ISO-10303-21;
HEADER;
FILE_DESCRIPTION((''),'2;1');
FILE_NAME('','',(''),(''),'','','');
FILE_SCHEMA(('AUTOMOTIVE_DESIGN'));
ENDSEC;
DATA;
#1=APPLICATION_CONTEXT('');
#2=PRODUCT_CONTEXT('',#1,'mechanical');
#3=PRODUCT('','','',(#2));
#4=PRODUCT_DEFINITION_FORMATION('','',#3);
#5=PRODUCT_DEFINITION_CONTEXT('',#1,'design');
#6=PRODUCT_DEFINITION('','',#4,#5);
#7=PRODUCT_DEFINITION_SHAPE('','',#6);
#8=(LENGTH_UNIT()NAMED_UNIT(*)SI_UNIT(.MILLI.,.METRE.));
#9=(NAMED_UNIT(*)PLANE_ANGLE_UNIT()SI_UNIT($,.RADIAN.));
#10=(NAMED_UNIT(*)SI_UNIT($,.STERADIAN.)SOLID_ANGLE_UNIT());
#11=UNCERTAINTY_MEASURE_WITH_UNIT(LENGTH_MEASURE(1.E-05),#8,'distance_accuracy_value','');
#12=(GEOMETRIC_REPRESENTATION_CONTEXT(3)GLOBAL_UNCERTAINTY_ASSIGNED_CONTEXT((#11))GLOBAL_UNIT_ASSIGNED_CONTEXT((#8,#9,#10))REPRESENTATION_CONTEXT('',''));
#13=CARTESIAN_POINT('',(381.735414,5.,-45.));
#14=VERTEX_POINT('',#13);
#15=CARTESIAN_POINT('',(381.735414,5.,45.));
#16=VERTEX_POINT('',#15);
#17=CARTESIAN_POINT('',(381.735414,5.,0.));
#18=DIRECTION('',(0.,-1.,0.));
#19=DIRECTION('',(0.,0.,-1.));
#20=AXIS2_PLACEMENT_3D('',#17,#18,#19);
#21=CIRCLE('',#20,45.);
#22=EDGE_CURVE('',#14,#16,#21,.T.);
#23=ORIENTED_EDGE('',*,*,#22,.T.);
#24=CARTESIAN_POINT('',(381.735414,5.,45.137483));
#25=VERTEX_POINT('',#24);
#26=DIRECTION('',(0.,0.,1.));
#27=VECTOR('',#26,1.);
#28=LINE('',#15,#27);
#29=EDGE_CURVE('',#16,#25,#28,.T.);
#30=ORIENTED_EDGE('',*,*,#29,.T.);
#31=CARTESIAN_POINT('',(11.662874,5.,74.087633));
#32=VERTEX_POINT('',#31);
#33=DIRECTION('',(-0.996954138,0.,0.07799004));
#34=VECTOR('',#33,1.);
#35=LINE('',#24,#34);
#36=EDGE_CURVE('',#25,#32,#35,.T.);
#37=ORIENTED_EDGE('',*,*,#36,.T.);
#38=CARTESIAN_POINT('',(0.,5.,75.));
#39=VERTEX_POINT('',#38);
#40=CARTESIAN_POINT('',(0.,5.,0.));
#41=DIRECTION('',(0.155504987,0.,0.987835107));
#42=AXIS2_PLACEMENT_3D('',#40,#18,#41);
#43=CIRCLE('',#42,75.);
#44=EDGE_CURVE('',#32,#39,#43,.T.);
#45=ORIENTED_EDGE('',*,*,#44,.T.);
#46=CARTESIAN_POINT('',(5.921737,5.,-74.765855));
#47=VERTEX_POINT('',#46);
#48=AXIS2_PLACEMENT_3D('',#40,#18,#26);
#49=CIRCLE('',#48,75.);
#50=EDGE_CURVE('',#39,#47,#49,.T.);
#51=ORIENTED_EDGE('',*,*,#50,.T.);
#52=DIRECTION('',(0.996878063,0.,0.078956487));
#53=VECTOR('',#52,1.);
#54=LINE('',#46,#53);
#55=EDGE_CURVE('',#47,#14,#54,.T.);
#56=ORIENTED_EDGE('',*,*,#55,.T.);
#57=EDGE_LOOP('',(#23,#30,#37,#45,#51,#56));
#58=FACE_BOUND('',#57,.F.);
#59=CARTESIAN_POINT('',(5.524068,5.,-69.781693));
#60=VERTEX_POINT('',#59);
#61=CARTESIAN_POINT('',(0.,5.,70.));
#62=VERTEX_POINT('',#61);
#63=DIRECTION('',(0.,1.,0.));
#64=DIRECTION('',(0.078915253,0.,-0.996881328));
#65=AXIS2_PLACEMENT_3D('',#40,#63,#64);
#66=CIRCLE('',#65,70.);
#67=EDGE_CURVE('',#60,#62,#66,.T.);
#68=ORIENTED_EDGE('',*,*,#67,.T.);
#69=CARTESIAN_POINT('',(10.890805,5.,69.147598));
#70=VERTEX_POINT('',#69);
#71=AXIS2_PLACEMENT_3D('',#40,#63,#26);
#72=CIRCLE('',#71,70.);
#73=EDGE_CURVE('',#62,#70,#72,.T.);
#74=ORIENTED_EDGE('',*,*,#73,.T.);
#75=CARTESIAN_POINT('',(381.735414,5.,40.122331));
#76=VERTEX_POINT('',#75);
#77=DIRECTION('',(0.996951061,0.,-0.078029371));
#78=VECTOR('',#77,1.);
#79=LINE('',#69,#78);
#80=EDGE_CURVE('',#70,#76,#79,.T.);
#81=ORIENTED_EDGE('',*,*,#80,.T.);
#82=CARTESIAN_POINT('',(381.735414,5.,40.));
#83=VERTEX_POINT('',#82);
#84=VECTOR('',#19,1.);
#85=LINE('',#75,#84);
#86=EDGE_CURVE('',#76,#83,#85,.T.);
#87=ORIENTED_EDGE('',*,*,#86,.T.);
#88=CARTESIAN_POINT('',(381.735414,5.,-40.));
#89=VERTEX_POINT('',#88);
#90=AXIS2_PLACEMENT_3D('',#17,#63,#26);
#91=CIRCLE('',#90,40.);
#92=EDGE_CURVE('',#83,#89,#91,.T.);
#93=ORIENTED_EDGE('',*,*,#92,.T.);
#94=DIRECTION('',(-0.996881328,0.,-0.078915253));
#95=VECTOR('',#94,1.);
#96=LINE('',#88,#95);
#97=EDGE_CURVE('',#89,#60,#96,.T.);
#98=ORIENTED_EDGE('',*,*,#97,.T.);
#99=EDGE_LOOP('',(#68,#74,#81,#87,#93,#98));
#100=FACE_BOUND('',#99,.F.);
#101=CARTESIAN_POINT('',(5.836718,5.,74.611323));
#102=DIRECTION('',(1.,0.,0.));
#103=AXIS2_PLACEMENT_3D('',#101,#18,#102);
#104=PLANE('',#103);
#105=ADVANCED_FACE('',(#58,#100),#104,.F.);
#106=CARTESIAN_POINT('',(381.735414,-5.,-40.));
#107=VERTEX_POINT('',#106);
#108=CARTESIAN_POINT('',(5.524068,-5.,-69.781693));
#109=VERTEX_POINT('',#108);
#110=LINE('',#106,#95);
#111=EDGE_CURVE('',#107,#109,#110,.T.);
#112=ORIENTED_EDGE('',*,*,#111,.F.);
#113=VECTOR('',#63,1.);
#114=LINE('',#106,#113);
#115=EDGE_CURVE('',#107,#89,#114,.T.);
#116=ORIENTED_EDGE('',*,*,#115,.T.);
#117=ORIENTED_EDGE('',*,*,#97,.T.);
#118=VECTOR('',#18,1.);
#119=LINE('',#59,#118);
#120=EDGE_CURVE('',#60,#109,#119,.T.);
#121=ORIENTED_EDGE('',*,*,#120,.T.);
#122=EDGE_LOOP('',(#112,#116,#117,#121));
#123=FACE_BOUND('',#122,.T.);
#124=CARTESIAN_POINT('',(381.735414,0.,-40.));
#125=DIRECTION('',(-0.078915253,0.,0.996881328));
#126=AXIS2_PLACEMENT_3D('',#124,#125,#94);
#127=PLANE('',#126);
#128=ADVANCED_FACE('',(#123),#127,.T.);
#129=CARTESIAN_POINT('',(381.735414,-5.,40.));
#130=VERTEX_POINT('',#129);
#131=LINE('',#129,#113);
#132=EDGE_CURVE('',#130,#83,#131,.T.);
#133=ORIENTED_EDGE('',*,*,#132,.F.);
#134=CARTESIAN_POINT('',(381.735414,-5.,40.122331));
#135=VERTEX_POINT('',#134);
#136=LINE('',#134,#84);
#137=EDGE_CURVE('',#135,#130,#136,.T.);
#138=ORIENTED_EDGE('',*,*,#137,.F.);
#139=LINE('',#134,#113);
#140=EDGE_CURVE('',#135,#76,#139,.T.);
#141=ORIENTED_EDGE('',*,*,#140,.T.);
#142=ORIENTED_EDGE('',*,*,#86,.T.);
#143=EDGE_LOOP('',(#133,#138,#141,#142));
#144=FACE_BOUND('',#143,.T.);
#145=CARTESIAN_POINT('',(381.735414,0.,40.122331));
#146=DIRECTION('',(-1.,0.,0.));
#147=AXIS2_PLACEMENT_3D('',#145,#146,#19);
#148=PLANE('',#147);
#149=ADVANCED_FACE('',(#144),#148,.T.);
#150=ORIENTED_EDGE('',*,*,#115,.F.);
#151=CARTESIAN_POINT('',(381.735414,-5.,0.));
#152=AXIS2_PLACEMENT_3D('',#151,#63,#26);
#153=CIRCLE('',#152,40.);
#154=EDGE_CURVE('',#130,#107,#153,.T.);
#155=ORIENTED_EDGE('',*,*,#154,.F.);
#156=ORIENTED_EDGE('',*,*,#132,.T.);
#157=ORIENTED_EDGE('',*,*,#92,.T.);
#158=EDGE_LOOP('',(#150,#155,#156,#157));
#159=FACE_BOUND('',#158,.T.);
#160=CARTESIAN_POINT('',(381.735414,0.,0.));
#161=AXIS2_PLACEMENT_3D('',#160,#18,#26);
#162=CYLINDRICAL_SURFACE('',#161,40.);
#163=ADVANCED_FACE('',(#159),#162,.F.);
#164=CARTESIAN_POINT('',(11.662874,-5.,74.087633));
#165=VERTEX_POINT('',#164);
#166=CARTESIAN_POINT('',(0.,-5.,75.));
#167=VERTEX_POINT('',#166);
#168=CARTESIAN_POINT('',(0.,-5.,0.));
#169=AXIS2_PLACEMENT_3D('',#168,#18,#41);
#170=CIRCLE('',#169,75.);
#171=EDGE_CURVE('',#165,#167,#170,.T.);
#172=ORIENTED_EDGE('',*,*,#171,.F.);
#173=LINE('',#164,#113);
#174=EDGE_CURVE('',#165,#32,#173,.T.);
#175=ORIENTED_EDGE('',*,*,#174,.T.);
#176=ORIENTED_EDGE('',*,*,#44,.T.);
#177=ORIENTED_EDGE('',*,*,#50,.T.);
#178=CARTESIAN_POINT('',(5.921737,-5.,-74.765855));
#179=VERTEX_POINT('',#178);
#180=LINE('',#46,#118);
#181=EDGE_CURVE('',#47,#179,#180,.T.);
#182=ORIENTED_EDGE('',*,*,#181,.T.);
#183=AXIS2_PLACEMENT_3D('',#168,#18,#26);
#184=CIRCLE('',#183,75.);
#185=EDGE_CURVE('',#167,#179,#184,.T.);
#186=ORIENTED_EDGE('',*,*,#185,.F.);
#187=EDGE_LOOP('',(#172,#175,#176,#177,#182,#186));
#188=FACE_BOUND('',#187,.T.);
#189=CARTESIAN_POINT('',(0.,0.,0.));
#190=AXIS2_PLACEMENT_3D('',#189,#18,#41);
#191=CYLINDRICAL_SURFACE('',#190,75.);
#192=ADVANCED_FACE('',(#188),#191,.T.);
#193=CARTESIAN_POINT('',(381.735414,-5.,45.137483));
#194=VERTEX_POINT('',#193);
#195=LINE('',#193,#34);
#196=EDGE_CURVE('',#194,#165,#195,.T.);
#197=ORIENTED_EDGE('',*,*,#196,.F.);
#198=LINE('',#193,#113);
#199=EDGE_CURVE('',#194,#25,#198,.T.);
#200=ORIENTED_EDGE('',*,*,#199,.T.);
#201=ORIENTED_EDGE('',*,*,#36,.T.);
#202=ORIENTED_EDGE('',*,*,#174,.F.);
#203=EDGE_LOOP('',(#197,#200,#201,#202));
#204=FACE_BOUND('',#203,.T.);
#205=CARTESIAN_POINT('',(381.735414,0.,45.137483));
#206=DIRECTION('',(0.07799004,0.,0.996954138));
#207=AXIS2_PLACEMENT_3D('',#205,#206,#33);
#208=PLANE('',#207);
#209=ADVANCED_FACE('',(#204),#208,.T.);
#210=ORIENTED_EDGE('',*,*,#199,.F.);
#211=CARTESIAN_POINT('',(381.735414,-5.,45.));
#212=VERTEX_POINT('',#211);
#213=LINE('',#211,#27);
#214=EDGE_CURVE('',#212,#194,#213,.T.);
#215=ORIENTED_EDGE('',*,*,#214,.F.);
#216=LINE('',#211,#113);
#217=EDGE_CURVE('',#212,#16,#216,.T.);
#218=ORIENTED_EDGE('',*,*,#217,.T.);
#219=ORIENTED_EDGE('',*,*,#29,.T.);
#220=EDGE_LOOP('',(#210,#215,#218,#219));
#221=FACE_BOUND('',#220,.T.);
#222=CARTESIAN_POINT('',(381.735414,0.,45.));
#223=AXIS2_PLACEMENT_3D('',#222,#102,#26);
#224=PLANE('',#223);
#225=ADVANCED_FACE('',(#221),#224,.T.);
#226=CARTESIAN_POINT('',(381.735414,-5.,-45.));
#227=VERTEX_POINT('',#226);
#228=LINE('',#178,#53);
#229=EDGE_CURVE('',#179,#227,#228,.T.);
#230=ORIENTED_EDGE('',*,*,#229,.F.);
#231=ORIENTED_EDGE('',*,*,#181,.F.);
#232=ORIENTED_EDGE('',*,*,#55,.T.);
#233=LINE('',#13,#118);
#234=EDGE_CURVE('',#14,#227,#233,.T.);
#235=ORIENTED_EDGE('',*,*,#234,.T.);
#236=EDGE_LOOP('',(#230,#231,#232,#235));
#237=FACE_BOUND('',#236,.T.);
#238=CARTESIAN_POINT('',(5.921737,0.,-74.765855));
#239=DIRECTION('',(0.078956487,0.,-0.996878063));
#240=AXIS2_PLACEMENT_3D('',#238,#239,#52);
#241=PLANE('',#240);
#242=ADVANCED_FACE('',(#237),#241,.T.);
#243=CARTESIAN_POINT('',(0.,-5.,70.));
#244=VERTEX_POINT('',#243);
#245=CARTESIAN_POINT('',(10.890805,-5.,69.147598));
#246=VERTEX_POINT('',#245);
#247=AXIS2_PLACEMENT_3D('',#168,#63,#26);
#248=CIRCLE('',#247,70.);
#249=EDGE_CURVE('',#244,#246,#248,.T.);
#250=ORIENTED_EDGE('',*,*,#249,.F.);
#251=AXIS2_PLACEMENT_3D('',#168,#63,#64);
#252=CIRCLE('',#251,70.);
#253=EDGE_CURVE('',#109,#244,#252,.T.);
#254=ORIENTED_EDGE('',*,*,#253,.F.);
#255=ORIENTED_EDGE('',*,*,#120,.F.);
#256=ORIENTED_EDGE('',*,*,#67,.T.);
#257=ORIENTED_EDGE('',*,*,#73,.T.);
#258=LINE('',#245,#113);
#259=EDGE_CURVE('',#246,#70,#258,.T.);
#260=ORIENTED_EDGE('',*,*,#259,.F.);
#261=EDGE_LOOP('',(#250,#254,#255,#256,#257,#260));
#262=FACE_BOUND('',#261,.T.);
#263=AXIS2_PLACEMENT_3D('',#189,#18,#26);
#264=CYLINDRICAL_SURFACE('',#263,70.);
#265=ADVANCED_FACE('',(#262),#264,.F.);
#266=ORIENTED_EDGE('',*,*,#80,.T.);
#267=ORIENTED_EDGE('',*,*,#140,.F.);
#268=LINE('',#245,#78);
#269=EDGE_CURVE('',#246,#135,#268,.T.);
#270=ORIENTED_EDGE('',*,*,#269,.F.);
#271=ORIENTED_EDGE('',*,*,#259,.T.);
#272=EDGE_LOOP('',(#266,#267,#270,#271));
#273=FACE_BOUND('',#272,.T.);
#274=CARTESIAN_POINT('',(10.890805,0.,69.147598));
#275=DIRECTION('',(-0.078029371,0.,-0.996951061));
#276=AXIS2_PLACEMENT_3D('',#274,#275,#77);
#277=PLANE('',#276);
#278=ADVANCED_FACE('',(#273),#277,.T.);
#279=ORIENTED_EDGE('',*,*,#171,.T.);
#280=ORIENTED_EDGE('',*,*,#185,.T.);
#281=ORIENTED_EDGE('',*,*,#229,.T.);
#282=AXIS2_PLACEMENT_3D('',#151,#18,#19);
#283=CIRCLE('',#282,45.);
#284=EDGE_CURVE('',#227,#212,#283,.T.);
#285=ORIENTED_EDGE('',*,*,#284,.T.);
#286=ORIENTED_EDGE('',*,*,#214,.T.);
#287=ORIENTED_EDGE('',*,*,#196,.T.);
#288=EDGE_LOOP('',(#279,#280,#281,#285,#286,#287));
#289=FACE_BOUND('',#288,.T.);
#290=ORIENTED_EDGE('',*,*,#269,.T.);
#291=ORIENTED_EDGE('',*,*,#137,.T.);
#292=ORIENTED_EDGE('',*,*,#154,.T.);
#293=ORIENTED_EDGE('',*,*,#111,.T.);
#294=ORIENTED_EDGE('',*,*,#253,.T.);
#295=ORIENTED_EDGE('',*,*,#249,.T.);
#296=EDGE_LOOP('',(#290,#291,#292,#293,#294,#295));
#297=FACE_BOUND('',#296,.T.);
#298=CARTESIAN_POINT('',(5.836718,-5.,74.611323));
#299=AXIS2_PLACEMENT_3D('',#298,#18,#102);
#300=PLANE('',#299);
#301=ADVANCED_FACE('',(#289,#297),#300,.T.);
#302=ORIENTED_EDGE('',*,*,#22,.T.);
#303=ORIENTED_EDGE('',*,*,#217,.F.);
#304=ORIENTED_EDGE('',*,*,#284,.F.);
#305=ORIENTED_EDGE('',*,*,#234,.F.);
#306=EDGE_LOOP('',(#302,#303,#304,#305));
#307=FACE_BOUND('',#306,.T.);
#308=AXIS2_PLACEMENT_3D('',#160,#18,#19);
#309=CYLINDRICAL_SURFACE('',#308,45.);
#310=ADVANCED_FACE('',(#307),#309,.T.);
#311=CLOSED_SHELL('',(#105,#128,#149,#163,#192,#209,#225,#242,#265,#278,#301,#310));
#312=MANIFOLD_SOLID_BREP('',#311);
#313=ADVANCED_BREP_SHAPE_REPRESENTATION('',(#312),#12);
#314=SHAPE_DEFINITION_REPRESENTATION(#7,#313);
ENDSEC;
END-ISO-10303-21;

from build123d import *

# Parameters (mm, degrees)
F1_DEPTH = 5


with BuildPart() as f1:
    # F0 (on Front) → F1 (new body, symmetric)
    with BuildSketch(Plane.XZ):
        with BuildLine():
            Line((0, 75), (11.6628740197, 74.0876330409))
            ThreePointArc((11.6628740197, 74.0876330409), (5.8492530264, 74.7715603624), (0, 75))
        make_face()
        with BuildLine():
            Line((381.7354142666, 45.1374825353), (11.6628740197, 74.0876330409))
            Line((11.6628740197, 74.0876330409), (0, 75))
            ThreePointArc((0, 75), (-74.9414408269, -2.9631818699), (5.9217365004, -74.7658547522))
            Line((5.9217365004, -74.7658547522), (381.7354142666, -45))
            ThreePointArc((381.7354142666, -45), (426.7354142666, 0), (381.7354142666, 45))
            Line((381.7354142666, 45), (381.7354142666, 45.1374825353))
        make_face()
        with BuildLine():
            ThreePointArc((5.5240677228, -69.7816929846), (-69.9454019537, -2.7641898524), (0, 70))
            ThreePointArc((0, 70), (5.4620559663, 69.7865742433), (10.8908049775, 69.1475984178))
            Line((10.8908049775, 69.1475984178), (381.7354142666, 40.1223305537))
            Line((381.7354142666, 40.1223305537), (381.7354142666, 40))
            ThreePointArc((381.7354142666, 40), (421.7354142666, 0), (381.7354142666, -40))
            Line((381.7354142666, -40), (5.5240677228, -69.7816929846))
        make_face(mode=Mode.SUBTRACT)
    extrude(amount=F1_DEPTH, both=True)


solid = f1.part
